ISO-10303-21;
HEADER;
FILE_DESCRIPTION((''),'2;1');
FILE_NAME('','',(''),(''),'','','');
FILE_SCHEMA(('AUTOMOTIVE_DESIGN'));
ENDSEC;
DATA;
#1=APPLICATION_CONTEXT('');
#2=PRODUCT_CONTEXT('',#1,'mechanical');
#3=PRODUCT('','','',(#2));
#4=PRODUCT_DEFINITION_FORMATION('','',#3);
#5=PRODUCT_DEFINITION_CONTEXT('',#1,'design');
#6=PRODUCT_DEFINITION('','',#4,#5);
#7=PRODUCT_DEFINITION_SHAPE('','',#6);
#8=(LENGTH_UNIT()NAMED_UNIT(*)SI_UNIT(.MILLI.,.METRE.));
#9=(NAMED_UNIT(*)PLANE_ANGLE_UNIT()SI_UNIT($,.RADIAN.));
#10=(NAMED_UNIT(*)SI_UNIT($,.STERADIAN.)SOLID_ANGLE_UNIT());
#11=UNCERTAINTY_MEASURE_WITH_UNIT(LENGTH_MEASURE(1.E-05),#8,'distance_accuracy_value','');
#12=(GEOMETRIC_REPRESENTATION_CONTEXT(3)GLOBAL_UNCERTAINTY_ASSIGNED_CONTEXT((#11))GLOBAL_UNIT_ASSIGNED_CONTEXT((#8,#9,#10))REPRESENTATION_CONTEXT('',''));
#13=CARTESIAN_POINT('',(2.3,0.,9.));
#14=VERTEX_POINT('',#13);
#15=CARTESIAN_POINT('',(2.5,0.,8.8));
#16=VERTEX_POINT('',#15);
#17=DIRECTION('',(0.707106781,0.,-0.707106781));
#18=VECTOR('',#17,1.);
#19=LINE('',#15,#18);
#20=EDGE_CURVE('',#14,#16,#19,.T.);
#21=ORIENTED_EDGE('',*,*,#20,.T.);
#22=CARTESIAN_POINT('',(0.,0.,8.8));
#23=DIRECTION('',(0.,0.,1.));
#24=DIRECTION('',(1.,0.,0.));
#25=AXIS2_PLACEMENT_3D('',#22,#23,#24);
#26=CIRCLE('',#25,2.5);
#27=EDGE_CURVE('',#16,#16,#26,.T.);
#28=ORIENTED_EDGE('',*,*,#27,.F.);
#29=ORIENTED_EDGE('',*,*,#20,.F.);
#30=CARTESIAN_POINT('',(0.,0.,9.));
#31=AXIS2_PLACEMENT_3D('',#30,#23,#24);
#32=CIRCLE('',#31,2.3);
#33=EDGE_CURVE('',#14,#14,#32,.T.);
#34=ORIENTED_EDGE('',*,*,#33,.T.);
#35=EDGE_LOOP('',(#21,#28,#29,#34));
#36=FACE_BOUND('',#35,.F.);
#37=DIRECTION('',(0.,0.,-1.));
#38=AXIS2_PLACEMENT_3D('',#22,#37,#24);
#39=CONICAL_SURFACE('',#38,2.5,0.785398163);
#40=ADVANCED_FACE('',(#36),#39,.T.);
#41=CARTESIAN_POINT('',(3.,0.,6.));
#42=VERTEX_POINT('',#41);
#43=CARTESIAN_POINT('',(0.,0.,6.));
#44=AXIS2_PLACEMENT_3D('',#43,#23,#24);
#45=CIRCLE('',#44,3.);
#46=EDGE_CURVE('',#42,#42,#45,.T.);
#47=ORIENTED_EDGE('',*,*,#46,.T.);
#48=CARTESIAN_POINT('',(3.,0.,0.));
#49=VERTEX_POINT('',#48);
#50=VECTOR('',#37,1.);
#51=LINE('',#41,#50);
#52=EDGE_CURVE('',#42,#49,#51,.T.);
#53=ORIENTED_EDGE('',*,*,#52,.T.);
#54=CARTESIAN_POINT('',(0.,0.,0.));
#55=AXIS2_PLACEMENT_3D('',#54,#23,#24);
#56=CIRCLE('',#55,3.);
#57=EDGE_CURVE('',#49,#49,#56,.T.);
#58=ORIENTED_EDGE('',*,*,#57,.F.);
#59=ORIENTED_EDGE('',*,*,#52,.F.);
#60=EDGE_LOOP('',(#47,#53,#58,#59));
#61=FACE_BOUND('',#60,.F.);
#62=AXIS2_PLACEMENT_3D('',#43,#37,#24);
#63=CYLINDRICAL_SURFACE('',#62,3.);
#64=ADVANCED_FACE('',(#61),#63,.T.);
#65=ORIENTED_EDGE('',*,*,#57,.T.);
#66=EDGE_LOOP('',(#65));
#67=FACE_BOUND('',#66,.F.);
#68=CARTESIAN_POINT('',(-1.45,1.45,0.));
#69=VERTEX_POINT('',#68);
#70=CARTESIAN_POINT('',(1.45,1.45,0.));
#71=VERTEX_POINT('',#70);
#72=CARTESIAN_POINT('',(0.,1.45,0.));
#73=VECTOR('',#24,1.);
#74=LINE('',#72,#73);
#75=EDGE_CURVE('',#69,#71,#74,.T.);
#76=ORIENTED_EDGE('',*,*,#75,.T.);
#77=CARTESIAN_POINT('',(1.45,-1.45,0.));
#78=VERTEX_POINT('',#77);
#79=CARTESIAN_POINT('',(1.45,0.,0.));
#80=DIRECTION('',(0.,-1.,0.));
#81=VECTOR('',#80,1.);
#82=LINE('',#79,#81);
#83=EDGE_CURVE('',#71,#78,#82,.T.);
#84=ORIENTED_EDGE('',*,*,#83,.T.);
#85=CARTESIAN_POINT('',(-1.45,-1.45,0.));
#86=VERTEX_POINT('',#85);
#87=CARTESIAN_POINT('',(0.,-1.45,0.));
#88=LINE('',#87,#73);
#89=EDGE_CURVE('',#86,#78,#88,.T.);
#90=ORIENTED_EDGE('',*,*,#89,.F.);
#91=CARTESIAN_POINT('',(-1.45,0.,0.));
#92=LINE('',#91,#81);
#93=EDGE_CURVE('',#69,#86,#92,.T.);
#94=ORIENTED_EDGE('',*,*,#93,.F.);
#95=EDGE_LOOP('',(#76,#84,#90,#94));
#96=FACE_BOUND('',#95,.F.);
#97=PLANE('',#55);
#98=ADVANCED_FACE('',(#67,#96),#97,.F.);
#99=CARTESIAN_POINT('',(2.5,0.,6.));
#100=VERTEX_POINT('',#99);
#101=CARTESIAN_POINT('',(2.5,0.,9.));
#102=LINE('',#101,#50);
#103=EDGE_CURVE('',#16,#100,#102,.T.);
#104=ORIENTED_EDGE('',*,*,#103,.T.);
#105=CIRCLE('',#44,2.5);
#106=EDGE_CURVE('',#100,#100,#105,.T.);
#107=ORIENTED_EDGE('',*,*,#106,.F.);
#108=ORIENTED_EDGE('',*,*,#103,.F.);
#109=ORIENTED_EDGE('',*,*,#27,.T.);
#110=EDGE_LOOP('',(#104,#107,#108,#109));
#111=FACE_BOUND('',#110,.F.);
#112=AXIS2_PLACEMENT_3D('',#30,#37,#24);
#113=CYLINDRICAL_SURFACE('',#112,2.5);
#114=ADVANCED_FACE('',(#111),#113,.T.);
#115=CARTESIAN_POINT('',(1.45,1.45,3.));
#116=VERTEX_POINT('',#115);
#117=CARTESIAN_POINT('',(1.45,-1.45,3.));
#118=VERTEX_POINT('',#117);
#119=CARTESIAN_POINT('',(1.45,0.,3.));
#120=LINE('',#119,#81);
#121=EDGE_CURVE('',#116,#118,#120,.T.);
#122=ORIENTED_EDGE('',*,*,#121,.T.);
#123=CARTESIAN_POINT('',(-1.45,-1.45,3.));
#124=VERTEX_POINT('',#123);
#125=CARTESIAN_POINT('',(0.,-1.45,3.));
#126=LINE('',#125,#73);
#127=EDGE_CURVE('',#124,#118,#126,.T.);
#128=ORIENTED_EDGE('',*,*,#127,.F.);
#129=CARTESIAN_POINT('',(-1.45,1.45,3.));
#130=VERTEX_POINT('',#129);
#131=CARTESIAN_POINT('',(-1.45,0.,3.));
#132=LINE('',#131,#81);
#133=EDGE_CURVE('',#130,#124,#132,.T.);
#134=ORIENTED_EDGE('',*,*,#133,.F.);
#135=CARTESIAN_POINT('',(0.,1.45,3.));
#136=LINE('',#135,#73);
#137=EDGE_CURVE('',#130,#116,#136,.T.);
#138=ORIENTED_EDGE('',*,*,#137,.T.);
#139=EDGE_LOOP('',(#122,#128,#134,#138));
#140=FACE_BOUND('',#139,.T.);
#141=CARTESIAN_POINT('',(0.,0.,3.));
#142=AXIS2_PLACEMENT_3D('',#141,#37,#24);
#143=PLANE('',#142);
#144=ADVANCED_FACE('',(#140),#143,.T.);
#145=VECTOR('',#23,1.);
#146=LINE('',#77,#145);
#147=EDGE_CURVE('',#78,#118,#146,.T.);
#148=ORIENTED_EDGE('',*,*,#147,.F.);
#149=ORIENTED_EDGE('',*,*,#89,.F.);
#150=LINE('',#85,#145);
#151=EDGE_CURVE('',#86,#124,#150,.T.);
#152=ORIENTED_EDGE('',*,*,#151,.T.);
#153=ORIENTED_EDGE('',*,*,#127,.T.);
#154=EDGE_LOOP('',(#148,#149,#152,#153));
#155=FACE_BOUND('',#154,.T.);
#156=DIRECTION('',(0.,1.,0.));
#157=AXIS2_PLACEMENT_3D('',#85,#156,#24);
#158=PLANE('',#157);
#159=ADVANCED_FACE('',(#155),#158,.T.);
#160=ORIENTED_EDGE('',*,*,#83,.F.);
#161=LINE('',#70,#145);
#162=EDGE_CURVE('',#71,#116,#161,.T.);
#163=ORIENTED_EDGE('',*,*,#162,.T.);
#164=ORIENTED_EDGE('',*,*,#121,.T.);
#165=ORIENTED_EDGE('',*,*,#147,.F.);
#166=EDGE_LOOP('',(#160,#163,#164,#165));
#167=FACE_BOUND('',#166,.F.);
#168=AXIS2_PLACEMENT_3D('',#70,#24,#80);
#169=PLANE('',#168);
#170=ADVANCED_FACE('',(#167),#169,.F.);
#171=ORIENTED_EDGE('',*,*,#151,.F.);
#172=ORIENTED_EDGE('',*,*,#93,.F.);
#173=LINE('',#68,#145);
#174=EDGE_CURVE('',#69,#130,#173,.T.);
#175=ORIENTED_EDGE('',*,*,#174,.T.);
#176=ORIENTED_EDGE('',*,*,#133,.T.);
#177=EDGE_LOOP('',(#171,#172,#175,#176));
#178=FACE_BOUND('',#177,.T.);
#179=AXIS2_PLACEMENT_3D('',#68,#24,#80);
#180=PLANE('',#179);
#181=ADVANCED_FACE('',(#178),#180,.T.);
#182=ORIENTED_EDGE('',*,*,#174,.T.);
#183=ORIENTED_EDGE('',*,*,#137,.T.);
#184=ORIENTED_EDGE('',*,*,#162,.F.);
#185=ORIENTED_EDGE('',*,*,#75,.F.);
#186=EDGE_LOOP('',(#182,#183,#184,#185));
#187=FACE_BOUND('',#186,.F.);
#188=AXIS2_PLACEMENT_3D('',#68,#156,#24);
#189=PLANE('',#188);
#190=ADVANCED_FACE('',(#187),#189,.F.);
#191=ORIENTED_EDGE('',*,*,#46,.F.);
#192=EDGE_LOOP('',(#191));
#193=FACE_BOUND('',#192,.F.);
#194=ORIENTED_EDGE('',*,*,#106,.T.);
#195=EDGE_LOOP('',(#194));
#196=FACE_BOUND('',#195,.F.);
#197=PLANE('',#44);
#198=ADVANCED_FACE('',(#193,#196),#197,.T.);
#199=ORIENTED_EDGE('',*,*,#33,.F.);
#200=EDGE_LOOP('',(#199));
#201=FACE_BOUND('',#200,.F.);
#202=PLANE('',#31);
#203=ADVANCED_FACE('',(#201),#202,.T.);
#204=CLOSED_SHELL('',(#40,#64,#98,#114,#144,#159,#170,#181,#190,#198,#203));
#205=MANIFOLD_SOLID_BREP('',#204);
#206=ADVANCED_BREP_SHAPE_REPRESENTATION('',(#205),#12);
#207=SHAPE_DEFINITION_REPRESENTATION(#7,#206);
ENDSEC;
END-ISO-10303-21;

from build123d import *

# Parameters (mm, degrees)
SKETCH001_W  = 2.9
SKETCH001_H  = 2.9
POCKET_DEPTH = 3
CHAMFER_SIZE = 0.2


with BuildPart() as part:
    # Sketch → Revolution (revolve)
    with BuildSketch(Plane.XZ):
        Polygon((0, 9), (2.5, 9), (2.5, 6), (3, 6), (3, 0), (0, 0), align=None)
    revolve(axis=Axis((0, 0, 0), (0, 0, 1)))

    # Sketch001 (on Face5 of Revolution) → Pocket (cut)
    with BuildSketch(Plane(origin=(0, 0, 0), x_dir=(1, 0, 0), z_dir=(0, 0, -1))):
        Rectangle(SKETCH001_W, SKETCH001_H)
    extrude(amount=-POCKET_DEPTH, mode=Mode.SUBTRACT)

    # Chamfer
    chamfer_edges = [part.edges().sort_by_distance(p)[0] for p in [
        (-2.5, 0, 9),
    ]]
    chamfer(chamfer_edges, length=CHAMFER_SIZE)


solid = part.part
